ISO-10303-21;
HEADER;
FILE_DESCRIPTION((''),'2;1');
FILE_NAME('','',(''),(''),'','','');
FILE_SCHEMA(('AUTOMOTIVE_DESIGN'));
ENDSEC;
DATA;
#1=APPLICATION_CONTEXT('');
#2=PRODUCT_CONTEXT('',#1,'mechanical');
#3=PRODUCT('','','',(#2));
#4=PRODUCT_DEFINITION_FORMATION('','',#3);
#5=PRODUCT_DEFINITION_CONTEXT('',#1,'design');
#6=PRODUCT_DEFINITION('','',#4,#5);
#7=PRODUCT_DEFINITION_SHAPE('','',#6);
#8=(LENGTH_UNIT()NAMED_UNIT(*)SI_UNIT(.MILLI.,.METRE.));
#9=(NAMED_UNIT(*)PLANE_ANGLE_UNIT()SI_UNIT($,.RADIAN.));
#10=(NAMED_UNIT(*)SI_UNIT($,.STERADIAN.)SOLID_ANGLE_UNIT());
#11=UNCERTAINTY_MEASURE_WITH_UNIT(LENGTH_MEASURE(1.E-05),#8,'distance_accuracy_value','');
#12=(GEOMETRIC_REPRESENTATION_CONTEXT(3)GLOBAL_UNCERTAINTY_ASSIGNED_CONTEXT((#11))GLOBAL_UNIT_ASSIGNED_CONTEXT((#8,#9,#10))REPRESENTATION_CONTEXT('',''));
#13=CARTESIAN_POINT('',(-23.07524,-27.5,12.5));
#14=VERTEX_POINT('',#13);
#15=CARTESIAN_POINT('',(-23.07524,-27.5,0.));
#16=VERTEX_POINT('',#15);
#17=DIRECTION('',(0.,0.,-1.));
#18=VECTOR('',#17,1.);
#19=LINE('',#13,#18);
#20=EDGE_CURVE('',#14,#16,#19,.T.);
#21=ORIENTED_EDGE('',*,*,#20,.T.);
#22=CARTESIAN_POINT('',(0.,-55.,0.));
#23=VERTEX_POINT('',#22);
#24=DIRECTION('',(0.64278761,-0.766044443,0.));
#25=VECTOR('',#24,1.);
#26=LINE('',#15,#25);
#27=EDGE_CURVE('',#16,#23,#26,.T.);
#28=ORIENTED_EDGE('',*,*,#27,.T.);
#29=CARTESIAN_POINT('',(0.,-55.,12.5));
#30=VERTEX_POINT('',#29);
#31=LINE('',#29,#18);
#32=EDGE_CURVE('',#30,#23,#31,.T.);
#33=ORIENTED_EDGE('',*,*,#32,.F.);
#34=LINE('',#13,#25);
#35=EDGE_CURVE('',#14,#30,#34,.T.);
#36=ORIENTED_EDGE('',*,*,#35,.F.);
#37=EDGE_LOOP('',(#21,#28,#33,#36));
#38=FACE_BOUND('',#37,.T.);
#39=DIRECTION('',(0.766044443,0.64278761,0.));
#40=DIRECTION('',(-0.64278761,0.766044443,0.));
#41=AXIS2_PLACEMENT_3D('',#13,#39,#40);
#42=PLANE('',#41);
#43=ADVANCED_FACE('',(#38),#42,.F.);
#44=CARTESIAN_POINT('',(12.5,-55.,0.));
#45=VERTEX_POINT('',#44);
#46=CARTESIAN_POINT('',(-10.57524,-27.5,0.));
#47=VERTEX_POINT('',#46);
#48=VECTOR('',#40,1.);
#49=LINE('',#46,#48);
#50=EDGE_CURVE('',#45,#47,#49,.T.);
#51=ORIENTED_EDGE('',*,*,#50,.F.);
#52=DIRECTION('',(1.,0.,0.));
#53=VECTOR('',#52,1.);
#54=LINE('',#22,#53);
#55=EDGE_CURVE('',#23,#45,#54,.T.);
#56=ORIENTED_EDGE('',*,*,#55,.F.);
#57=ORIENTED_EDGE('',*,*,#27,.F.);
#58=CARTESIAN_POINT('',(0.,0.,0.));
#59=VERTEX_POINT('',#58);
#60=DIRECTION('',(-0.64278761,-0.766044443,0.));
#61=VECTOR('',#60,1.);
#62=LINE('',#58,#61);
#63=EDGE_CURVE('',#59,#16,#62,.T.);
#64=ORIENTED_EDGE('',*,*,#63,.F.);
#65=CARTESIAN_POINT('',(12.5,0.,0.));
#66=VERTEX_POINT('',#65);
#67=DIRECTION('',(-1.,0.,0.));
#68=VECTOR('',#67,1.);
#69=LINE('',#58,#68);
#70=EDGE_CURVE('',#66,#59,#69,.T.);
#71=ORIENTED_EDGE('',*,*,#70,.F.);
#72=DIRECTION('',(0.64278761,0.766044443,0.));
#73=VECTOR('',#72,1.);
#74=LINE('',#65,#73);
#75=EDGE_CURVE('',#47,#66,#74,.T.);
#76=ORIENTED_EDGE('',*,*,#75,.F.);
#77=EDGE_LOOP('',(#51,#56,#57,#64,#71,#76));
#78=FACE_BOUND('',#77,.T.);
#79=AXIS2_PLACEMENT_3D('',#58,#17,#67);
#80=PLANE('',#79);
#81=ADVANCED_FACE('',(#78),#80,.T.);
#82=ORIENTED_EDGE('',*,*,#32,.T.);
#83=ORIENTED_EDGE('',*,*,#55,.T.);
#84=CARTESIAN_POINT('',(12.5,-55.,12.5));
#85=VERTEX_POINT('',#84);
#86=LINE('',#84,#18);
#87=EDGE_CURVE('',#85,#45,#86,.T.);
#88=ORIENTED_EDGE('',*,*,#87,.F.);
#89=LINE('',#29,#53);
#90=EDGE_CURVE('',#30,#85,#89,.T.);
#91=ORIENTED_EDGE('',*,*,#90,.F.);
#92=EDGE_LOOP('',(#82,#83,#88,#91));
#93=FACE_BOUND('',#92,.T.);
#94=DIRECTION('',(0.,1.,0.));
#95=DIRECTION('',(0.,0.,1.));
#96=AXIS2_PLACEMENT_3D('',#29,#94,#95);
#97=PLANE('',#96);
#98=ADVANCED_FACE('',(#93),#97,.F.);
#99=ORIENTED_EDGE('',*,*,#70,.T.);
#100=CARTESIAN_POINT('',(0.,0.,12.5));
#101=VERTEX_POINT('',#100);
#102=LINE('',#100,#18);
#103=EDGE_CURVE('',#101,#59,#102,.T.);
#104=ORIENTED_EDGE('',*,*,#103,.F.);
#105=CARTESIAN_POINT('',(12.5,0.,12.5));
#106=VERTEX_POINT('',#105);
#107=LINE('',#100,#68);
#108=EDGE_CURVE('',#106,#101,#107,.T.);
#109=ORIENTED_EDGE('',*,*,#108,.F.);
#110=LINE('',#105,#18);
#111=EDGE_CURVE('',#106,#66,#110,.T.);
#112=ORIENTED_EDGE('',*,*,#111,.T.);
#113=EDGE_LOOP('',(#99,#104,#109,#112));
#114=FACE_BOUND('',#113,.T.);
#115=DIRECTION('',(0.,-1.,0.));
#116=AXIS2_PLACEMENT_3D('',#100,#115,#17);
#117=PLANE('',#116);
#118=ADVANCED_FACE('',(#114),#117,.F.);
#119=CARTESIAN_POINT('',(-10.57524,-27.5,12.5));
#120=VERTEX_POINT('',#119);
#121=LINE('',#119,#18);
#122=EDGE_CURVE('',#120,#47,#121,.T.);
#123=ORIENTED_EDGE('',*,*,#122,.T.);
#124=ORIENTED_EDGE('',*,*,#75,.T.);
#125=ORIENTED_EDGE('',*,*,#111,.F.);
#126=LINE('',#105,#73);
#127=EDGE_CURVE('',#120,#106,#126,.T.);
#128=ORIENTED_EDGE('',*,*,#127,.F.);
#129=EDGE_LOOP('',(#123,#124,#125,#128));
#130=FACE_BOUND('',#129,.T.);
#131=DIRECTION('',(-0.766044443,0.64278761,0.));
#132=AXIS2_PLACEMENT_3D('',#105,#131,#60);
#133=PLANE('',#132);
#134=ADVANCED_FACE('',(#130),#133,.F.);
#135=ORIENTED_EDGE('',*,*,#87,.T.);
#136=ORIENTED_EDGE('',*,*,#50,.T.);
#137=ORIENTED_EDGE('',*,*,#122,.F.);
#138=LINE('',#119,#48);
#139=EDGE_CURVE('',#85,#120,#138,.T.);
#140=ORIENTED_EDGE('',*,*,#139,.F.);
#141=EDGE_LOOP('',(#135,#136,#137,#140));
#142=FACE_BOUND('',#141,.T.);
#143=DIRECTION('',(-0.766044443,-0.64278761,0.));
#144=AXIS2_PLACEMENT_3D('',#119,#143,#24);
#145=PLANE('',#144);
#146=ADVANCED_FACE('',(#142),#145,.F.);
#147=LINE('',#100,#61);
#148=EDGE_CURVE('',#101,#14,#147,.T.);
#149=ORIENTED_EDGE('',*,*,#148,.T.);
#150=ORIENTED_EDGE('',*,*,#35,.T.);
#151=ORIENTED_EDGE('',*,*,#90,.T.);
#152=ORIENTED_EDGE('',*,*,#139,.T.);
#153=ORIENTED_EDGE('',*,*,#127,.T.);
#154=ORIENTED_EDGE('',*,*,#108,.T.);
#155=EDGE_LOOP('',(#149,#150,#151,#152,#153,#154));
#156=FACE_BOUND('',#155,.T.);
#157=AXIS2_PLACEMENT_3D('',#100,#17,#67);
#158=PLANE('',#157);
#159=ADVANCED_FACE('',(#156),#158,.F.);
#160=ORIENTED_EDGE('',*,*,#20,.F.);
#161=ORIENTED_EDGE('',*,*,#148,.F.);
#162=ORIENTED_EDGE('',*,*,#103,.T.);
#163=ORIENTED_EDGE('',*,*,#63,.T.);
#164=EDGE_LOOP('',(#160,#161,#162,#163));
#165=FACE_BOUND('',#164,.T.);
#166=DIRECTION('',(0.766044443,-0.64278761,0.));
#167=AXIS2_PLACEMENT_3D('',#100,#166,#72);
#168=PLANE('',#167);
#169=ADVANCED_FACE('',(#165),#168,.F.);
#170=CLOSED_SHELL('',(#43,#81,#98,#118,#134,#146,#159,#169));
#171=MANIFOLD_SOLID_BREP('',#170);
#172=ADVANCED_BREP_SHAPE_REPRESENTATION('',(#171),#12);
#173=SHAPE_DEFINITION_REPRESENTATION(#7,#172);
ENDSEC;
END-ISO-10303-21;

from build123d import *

# Parameters (mm, degrees)
BOSS_EXTRUDE1_DEPTH = 12.5


with BuildPart() as part:
    # Sketch1 → Boss-Extrude1 (new body)
    with BuildSketch(Plane.XY):
        Polygon((0, 0), (-23.075239857, -27.5), (0, -55), (12.5, -55), (-10.575239857, -27.5), (12.5, 0), align=None)
    extrude(amount=BOSS_EXTRUDE1_DEPTH)


solid = part.part
